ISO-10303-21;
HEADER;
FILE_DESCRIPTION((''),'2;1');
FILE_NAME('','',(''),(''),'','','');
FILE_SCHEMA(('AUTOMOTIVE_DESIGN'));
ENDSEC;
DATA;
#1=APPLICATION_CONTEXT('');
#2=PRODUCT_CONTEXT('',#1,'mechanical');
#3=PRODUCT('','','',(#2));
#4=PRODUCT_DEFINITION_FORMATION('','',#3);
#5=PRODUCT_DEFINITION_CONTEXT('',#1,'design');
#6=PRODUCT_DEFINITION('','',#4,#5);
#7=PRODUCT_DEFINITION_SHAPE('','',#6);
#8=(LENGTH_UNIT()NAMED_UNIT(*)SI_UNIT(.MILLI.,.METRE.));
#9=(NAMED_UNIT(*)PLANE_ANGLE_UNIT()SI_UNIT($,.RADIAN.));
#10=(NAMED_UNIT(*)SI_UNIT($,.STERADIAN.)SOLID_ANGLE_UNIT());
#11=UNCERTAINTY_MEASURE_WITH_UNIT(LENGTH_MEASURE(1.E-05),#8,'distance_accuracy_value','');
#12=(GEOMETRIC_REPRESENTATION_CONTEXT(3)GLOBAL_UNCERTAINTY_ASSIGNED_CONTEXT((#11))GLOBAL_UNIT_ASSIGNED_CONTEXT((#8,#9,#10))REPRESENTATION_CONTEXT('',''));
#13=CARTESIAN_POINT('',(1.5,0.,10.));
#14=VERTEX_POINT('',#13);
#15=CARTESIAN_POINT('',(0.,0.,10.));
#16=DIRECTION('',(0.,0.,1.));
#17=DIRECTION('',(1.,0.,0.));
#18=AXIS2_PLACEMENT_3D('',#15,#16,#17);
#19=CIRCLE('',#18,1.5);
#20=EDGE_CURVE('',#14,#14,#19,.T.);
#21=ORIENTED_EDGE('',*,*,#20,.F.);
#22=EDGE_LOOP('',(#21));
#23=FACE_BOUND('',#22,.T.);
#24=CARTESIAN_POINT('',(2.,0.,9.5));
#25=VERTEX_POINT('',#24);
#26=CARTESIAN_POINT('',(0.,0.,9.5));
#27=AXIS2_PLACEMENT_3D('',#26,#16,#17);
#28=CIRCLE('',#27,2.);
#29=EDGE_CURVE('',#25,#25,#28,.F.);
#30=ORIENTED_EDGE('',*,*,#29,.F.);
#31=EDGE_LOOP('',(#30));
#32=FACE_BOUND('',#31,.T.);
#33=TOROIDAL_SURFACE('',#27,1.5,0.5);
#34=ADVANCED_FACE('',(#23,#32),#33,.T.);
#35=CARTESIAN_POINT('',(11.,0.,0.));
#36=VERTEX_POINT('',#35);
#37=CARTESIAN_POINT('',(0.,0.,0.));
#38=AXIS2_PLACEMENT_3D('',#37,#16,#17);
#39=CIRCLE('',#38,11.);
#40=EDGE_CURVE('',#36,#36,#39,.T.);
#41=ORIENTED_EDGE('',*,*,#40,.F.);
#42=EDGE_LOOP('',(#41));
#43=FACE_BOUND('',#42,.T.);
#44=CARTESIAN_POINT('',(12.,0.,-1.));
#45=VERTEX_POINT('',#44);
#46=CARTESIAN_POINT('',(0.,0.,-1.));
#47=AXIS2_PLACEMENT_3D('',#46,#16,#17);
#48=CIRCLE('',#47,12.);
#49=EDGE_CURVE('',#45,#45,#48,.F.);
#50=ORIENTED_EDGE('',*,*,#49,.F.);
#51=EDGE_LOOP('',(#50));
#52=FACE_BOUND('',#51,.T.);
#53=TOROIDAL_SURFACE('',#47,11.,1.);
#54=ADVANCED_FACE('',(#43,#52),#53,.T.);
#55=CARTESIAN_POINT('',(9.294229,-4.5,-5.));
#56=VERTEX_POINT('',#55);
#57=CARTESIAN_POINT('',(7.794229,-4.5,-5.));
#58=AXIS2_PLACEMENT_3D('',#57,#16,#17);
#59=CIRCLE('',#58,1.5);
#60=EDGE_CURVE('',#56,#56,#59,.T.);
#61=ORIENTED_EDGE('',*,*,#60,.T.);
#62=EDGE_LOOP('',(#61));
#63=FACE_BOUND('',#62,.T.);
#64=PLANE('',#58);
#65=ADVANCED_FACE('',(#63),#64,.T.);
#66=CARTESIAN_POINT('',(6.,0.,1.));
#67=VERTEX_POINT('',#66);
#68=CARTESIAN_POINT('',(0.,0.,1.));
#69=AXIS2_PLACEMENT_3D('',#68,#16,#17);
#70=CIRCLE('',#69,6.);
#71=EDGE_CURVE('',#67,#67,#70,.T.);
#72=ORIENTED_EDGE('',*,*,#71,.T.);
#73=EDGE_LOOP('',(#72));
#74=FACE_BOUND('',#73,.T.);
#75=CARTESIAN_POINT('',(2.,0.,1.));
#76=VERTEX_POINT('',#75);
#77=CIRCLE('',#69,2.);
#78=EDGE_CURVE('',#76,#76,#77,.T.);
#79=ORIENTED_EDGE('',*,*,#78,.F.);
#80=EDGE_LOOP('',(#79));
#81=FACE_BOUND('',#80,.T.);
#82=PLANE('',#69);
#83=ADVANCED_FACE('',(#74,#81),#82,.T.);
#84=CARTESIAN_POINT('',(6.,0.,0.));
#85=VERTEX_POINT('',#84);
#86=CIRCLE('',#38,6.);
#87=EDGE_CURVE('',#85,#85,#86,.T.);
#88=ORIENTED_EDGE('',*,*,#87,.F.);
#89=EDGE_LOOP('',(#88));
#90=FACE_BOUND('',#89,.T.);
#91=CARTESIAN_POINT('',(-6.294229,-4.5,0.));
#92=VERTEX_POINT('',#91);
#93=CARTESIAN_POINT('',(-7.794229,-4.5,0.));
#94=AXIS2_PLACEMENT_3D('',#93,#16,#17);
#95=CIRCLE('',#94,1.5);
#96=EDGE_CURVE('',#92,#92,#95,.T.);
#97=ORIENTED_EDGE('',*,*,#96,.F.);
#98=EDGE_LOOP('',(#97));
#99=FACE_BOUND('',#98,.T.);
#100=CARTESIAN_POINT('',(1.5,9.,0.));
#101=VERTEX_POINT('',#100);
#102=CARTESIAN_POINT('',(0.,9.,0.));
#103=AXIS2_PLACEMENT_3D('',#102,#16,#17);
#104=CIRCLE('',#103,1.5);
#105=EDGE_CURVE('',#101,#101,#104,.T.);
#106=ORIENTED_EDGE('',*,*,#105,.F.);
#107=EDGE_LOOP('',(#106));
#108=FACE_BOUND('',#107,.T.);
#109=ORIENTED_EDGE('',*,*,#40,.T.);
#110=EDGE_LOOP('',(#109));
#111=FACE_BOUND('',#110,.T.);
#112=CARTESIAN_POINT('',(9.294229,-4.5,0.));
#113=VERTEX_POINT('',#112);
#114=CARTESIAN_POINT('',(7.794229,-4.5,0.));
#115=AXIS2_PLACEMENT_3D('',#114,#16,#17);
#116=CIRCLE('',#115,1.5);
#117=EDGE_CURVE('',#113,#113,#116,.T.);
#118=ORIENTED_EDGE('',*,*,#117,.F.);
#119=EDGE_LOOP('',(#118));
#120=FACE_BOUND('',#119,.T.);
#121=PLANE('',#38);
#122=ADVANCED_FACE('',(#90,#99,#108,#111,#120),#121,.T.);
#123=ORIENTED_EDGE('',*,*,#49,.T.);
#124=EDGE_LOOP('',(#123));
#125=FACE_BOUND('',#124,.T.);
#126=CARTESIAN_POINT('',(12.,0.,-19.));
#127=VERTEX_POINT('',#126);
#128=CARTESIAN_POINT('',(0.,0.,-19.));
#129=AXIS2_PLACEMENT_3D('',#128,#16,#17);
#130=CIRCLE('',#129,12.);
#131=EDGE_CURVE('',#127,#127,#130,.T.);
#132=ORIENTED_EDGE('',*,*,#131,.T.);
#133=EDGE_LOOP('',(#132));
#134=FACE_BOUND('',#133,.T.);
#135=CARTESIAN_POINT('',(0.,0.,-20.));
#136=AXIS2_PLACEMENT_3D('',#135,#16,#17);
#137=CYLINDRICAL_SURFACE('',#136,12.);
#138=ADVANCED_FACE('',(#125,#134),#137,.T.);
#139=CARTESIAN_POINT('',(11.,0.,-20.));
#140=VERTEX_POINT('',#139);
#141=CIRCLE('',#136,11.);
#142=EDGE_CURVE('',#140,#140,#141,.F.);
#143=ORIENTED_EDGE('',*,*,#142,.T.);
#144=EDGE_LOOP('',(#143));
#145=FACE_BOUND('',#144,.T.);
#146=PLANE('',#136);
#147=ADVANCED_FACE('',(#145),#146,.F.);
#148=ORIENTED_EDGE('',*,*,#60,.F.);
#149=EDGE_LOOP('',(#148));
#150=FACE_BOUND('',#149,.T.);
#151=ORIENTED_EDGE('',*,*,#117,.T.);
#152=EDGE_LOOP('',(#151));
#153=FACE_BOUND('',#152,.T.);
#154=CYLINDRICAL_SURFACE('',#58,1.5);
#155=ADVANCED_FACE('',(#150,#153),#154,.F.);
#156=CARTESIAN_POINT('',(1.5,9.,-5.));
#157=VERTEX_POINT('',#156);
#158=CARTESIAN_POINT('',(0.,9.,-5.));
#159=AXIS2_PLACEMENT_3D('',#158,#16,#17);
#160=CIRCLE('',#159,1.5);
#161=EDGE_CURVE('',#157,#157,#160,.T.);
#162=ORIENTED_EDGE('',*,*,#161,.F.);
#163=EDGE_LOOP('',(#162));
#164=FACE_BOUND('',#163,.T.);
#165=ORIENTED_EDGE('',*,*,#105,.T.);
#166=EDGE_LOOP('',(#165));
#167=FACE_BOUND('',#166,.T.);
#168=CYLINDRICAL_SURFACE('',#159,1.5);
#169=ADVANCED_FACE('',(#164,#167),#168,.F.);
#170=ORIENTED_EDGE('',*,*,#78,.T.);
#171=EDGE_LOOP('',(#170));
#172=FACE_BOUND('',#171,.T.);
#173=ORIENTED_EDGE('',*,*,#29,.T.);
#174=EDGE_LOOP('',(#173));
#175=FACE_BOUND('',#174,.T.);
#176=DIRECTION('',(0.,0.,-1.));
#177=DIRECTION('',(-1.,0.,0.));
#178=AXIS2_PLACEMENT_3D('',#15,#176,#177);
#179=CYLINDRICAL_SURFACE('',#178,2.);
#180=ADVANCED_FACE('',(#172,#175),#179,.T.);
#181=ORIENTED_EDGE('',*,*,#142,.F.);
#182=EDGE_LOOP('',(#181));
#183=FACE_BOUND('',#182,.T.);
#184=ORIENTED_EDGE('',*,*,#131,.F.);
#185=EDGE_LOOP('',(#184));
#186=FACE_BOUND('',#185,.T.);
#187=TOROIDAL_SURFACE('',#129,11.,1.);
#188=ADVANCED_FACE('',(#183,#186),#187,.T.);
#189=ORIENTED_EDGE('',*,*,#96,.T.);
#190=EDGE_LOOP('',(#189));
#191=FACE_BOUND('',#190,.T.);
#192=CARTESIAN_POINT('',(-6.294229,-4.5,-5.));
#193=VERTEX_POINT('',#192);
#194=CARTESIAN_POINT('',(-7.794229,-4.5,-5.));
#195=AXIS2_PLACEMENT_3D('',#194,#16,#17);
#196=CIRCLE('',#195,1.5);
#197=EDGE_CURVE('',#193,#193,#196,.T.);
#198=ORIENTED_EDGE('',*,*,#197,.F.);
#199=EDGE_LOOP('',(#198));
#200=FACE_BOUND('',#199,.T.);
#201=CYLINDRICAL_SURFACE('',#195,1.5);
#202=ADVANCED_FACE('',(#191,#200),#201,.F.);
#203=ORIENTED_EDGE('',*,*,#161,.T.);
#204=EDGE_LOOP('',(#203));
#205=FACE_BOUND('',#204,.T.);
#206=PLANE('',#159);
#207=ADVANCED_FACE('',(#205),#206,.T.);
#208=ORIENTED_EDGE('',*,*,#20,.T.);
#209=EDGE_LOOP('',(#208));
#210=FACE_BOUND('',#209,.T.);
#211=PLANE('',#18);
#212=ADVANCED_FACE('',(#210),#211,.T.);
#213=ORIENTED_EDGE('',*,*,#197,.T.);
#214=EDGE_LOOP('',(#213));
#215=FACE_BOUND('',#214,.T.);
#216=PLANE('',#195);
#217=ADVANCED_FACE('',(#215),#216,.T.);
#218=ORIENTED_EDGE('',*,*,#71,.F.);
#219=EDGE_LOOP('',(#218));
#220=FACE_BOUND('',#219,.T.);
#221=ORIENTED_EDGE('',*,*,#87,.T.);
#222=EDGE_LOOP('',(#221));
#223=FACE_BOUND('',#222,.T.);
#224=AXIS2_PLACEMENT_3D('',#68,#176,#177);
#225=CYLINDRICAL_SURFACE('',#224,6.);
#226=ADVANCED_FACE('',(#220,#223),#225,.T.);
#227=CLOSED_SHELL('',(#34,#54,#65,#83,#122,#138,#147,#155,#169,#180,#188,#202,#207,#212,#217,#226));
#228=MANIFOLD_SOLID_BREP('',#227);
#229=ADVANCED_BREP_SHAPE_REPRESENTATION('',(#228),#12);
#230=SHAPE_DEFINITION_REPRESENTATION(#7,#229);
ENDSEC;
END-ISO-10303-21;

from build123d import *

# Parameters (mm, degrees)
ESQUISSE1_R             = 12
EXTRUSION1_DEPTH        = 20
ESQUISSE2_R             = 2
EXTRUSION2_DEPTH        = 10
CONG_1_R                = 1
CONG_2_R                = 1
CONG_3_R                = 0.5
ESQUISSE4_R             = 6
EXTRUSION3_DEPTH        = 1
ESQUISSE5_R             = 1.5
ENL_V_MAT_EXTRU_1_DEPTH = 5


with BuildPart() as part:
    # Esquisse1 → Extrusion1 (new body)
    with BuildSketch(Plane.XY):
        Circle(ESQUISSE1_R)
    extrude(amount=-EXTRUSION1_DEPTH)

    # Esquisse2 → Extrusion2 (add)
    with BuildSketch(Plane.XY):
        Circle(ESQUISSE2_R)
    extrude(amount=EXTRUSION2_DEPTH)

    # Congé1
    cong_1_edges = [part.edges().sort_by_distance(p)[0] for p in [
        (-12, 0, 0),
    ]]
    fillet(cong_1_edges, radius=CONG_1_R)

    # Congé2
    cong_2_edges = [part.edges().sort_by_distance(p)[0] for p in [
        (-12, 0, -20),
    ]]
    fillet(cong_2_edges, radius=CONG_2_R)

    # Congé3
    cong_3_edges = [part.edges().sort_by_distance(p)[0] for p in [
        (-2, 0, 10),
    ]]
    fillet(cong_3_edges, radius=CONG_3_R)

    # Esquisse4 → Extrusion3 (add)
    with BuildSketch(Plane.XY):
        Circle(ESQUISSE4_R)
    extrude(amount=EXTRUSION3_DEPTH)

    # Esquisse5 → Enlèv. mat.-Extru.1 (cut)
    with BuildSketch(Plane.XY):
        with Locations((0, 9)):
            Circle(ESQUISSE5_R)
        with Locations((-7.794228634, -4.5)):
            Circle(ESQUISSE5_R)
        with Locations((7.794228634, -4.5)):
            Circle(ESQUISSE5_R)
    extrude(amount=-ENL_V_MAT_EXTRU_1_DEPTH, mode=Mode.SUBTRACT)


solid = part.part
